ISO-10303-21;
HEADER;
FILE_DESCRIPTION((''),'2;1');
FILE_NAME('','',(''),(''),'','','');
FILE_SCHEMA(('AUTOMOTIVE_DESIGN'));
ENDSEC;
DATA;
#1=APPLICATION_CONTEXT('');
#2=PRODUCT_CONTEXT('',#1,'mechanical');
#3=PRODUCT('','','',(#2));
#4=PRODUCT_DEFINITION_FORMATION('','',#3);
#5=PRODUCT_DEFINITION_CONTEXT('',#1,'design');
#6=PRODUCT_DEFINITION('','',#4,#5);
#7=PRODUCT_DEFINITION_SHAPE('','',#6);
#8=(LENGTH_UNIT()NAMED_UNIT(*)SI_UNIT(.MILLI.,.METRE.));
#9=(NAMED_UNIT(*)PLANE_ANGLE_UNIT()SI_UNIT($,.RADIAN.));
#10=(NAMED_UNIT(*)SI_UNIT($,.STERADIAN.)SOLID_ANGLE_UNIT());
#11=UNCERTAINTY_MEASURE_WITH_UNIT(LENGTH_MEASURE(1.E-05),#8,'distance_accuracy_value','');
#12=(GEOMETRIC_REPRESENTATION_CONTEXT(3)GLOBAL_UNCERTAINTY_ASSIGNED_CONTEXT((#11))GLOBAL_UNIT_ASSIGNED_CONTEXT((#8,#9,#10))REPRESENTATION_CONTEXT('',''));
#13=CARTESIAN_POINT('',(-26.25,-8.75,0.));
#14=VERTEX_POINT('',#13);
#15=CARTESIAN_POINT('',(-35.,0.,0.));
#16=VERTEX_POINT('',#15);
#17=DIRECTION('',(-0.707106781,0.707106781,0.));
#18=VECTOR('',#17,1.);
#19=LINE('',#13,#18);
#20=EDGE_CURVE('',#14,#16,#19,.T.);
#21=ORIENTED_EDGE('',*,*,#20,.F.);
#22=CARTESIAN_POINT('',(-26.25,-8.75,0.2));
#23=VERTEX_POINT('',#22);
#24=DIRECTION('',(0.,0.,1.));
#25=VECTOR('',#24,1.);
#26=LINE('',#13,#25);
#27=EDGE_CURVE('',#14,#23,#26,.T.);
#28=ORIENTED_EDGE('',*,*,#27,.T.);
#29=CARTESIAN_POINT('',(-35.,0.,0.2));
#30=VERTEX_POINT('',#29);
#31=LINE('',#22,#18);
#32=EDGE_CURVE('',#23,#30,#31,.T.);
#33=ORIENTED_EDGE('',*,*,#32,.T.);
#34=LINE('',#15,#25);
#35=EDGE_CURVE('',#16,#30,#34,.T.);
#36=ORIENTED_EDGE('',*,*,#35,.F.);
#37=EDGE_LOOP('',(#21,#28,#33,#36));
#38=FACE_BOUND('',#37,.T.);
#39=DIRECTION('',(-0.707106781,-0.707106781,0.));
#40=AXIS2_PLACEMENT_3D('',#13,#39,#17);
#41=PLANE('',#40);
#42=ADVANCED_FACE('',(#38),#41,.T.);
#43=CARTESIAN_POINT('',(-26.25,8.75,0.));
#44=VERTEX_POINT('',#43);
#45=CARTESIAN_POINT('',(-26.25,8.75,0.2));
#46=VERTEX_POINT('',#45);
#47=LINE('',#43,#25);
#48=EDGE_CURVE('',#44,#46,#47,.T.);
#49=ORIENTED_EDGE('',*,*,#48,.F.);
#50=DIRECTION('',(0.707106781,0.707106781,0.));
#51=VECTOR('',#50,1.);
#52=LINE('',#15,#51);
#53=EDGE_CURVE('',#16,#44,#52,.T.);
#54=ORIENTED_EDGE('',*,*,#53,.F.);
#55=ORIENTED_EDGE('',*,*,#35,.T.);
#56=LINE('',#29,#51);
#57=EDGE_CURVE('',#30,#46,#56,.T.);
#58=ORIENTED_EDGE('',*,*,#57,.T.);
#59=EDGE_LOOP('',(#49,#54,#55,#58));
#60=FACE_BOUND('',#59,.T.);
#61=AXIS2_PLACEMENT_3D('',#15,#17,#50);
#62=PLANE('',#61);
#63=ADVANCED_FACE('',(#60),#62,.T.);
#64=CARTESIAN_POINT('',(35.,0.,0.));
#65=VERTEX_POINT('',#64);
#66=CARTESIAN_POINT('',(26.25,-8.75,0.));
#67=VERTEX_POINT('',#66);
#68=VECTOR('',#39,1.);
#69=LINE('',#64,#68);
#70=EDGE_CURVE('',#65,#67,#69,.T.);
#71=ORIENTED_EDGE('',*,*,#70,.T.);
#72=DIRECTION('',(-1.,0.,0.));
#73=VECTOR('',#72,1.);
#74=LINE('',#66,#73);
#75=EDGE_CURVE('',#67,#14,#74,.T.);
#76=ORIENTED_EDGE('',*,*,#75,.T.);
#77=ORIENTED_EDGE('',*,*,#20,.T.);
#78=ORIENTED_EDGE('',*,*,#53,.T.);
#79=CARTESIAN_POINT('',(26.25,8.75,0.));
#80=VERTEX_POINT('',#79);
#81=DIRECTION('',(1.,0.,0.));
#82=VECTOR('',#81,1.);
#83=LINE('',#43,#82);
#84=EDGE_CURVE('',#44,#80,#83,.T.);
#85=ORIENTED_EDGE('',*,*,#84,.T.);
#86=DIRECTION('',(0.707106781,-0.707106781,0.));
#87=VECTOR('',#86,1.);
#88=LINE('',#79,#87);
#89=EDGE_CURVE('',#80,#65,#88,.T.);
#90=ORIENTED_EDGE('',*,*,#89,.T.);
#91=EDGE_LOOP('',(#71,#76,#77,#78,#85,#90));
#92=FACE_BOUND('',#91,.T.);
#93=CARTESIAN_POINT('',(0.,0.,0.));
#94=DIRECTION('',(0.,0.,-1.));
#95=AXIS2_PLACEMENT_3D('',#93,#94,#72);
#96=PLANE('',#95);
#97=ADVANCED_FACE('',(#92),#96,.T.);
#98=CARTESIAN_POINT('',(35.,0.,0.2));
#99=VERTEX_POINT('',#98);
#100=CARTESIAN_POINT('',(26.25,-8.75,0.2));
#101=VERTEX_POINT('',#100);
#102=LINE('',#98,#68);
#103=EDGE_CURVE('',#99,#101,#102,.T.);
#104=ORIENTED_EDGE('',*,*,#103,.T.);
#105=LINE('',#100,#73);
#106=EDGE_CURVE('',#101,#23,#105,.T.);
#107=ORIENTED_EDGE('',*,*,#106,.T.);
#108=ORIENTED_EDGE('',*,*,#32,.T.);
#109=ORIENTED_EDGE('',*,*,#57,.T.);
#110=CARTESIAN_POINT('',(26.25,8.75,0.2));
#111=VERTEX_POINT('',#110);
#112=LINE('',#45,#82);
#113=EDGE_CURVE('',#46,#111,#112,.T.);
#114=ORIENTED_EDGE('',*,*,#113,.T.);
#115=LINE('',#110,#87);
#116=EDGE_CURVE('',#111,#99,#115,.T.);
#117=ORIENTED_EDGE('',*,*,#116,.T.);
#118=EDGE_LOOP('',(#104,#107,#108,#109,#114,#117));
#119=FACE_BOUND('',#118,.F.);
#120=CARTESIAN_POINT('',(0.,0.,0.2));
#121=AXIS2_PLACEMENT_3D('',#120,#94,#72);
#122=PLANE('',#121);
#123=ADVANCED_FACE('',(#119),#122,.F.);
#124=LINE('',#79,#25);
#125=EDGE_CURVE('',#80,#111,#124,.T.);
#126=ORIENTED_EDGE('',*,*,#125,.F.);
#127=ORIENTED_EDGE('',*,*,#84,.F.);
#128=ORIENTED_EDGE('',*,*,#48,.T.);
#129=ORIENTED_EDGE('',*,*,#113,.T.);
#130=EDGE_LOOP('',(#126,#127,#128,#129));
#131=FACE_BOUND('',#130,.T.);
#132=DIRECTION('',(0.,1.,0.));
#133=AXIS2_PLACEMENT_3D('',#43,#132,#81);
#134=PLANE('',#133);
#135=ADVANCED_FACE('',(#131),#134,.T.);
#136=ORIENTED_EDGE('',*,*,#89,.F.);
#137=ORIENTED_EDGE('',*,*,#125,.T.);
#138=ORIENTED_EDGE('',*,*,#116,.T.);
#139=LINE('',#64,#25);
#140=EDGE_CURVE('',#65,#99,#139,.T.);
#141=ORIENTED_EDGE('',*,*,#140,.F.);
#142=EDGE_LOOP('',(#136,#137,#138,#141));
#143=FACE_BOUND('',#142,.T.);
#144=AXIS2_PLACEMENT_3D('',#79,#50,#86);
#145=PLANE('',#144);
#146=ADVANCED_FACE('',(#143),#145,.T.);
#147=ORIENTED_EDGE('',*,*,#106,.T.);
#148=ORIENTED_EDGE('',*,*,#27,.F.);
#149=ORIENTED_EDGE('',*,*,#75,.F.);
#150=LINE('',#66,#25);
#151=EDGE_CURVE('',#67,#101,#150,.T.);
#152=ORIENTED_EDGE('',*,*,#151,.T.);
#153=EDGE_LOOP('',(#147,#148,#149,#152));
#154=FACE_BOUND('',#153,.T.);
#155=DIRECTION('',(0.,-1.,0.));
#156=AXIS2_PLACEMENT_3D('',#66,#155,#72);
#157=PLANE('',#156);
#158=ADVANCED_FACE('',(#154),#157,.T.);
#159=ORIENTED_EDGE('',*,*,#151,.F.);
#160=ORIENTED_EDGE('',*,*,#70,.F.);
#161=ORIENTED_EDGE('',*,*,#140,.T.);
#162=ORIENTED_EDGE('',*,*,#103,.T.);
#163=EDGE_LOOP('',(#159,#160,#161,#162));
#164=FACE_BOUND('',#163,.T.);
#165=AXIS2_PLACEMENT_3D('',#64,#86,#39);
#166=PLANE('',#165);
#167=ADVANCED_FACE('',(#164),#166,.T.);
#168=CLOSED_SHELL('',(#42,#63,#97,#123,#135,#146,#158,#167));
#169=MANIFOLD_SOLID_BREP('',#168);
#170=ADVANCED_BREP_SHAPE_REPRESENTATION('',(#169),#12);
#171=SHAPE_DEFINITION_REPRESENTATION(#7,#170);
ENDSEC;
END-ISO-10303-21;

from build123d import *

# Parameters (mm, degrees)
PAD_DEPTH = 0.2


with BuildPart() as part:
    # Sketch → Pad (new body)
    with BuildSketch(Plane.XY):
        Polygon((-26.25, 8.75), (26.25, 8.75), (35, 0), (26.25, -8.75), (-26.25, -8.75), (-35, 0), align=None)
    extrude(amount=PAD_DEPTH)


solid = part.part
